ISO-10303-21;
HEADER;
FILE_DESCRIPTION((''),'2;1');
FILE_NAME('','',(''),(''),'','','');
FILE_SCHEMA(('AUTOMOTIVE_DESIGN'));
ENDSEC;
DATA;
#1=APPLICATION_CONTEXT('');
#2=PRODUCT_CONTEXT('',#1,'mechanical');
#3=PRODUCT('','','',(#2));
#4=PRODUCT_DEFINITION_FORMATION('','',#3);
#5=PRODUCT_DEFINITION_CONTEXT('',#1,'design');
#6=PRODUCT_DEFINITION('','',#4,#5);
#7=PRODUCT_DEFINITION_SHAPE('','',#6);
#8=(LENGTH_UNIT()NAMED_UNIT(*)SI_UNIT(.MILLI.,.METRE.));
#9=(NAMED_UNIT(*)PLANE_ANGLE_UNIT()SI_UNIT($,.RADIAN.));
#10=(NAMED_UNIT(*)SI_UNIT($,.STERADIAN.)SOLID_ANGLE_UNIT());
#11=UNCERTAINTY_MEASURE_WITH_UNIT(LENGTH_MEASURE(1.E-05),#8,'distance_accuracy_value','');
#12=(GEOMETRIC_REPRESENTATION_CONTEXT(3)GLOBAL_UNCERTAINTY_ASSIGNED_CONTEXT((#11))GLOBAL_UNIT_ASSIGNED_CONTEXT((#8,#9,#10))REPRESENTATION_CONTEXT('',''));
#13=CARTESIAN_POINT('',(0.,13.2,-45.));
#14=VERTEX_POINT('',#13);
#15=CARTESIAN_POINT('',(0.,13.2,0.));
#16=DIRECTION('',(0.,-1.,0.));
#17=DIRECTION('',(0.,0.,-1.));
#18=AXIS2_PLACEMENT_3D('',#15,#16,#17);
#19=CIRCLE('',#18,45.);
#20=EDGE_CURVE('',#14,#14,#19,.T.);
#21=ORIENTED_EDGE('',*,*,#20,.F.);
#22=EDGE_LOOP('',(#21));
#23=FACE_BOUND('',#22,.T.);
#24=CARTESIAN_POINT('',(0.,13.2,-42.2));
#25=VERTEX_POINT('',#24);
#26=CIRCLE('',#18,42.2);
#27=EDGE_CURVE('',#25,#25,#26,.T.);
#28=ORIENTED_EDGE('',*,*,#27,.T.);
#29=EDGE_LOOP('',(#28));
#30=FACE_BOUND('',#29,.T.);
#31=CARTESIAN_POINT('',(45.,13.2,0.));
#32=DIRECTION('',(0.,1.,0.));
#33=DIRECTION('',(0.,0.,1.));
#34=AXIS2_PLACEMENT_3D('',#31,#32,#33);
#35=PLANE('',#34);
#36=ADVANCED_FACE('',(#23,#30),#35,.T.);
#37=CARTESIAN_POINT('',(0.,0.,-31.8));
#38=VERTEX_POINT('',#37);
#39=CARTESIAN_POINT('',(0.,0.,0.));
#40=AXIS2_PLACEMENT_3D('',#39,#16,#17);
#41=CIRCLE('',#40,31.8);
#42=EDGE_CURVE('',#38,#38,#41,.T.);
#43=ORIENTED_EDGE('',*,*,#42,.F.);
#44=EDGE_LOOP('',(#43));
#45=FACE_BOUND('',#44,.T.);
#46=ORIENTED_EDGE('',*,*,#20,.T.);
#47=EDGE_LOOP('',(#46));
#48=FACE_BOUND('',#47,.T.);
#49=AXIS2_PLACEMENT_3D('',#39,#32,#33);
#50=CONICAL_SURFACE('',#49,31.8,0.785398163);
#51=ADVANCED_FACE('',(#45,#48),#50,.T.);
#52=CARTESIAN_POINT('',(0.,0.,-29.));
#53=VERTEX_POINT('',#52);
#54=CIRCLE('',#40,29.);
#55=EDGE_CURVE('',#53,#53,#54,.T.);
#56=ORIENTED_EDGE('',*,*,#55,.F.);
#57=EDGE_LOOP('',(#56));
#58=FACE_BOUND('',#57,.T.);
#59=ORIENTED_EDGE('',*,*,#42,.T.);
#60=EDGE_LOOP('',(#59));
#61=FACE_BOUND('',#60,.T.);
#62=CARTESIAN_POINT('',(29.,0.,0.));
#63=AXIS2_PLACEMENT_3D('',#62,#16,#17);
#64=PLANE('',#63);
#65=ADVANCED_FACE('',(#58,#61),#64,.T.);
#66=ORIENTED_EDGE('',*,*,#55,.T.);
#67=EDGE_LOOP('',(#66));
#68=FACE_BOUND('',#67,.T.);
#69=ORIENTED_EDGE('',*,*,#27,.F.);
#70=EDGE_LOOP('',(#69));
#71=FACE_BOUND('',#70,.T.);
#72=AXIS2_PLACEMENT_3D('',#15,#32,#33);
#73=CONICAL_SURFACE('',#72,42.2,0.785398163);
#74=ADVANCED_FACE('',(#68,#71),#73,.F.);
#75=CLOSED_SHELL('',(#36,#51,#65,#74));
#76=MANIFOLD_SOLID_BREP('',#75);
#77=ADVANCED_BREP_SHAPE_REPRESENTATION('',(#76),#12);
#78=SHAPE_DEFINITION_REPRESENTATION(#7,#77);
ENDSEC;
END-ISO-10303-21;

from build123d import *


with BuildPart() as part:
    # Esquisse1 → Révolution1 (revolve)
    with BuildSketch(Plane.XY, mode=Mode.PRIVATE) as r_volution1_sk:
        Polygon((31.8, 0), (45, 13.2), (42.2, 13.2), (29, 0), align=None)
    revolve(r_volution1_sk.sketch.rotate(Axis((0, 0, 0), (0, 1, 0)), 90), axis=Axis((0, 0, 0), (0, 1, 0)))


solid = part.part
